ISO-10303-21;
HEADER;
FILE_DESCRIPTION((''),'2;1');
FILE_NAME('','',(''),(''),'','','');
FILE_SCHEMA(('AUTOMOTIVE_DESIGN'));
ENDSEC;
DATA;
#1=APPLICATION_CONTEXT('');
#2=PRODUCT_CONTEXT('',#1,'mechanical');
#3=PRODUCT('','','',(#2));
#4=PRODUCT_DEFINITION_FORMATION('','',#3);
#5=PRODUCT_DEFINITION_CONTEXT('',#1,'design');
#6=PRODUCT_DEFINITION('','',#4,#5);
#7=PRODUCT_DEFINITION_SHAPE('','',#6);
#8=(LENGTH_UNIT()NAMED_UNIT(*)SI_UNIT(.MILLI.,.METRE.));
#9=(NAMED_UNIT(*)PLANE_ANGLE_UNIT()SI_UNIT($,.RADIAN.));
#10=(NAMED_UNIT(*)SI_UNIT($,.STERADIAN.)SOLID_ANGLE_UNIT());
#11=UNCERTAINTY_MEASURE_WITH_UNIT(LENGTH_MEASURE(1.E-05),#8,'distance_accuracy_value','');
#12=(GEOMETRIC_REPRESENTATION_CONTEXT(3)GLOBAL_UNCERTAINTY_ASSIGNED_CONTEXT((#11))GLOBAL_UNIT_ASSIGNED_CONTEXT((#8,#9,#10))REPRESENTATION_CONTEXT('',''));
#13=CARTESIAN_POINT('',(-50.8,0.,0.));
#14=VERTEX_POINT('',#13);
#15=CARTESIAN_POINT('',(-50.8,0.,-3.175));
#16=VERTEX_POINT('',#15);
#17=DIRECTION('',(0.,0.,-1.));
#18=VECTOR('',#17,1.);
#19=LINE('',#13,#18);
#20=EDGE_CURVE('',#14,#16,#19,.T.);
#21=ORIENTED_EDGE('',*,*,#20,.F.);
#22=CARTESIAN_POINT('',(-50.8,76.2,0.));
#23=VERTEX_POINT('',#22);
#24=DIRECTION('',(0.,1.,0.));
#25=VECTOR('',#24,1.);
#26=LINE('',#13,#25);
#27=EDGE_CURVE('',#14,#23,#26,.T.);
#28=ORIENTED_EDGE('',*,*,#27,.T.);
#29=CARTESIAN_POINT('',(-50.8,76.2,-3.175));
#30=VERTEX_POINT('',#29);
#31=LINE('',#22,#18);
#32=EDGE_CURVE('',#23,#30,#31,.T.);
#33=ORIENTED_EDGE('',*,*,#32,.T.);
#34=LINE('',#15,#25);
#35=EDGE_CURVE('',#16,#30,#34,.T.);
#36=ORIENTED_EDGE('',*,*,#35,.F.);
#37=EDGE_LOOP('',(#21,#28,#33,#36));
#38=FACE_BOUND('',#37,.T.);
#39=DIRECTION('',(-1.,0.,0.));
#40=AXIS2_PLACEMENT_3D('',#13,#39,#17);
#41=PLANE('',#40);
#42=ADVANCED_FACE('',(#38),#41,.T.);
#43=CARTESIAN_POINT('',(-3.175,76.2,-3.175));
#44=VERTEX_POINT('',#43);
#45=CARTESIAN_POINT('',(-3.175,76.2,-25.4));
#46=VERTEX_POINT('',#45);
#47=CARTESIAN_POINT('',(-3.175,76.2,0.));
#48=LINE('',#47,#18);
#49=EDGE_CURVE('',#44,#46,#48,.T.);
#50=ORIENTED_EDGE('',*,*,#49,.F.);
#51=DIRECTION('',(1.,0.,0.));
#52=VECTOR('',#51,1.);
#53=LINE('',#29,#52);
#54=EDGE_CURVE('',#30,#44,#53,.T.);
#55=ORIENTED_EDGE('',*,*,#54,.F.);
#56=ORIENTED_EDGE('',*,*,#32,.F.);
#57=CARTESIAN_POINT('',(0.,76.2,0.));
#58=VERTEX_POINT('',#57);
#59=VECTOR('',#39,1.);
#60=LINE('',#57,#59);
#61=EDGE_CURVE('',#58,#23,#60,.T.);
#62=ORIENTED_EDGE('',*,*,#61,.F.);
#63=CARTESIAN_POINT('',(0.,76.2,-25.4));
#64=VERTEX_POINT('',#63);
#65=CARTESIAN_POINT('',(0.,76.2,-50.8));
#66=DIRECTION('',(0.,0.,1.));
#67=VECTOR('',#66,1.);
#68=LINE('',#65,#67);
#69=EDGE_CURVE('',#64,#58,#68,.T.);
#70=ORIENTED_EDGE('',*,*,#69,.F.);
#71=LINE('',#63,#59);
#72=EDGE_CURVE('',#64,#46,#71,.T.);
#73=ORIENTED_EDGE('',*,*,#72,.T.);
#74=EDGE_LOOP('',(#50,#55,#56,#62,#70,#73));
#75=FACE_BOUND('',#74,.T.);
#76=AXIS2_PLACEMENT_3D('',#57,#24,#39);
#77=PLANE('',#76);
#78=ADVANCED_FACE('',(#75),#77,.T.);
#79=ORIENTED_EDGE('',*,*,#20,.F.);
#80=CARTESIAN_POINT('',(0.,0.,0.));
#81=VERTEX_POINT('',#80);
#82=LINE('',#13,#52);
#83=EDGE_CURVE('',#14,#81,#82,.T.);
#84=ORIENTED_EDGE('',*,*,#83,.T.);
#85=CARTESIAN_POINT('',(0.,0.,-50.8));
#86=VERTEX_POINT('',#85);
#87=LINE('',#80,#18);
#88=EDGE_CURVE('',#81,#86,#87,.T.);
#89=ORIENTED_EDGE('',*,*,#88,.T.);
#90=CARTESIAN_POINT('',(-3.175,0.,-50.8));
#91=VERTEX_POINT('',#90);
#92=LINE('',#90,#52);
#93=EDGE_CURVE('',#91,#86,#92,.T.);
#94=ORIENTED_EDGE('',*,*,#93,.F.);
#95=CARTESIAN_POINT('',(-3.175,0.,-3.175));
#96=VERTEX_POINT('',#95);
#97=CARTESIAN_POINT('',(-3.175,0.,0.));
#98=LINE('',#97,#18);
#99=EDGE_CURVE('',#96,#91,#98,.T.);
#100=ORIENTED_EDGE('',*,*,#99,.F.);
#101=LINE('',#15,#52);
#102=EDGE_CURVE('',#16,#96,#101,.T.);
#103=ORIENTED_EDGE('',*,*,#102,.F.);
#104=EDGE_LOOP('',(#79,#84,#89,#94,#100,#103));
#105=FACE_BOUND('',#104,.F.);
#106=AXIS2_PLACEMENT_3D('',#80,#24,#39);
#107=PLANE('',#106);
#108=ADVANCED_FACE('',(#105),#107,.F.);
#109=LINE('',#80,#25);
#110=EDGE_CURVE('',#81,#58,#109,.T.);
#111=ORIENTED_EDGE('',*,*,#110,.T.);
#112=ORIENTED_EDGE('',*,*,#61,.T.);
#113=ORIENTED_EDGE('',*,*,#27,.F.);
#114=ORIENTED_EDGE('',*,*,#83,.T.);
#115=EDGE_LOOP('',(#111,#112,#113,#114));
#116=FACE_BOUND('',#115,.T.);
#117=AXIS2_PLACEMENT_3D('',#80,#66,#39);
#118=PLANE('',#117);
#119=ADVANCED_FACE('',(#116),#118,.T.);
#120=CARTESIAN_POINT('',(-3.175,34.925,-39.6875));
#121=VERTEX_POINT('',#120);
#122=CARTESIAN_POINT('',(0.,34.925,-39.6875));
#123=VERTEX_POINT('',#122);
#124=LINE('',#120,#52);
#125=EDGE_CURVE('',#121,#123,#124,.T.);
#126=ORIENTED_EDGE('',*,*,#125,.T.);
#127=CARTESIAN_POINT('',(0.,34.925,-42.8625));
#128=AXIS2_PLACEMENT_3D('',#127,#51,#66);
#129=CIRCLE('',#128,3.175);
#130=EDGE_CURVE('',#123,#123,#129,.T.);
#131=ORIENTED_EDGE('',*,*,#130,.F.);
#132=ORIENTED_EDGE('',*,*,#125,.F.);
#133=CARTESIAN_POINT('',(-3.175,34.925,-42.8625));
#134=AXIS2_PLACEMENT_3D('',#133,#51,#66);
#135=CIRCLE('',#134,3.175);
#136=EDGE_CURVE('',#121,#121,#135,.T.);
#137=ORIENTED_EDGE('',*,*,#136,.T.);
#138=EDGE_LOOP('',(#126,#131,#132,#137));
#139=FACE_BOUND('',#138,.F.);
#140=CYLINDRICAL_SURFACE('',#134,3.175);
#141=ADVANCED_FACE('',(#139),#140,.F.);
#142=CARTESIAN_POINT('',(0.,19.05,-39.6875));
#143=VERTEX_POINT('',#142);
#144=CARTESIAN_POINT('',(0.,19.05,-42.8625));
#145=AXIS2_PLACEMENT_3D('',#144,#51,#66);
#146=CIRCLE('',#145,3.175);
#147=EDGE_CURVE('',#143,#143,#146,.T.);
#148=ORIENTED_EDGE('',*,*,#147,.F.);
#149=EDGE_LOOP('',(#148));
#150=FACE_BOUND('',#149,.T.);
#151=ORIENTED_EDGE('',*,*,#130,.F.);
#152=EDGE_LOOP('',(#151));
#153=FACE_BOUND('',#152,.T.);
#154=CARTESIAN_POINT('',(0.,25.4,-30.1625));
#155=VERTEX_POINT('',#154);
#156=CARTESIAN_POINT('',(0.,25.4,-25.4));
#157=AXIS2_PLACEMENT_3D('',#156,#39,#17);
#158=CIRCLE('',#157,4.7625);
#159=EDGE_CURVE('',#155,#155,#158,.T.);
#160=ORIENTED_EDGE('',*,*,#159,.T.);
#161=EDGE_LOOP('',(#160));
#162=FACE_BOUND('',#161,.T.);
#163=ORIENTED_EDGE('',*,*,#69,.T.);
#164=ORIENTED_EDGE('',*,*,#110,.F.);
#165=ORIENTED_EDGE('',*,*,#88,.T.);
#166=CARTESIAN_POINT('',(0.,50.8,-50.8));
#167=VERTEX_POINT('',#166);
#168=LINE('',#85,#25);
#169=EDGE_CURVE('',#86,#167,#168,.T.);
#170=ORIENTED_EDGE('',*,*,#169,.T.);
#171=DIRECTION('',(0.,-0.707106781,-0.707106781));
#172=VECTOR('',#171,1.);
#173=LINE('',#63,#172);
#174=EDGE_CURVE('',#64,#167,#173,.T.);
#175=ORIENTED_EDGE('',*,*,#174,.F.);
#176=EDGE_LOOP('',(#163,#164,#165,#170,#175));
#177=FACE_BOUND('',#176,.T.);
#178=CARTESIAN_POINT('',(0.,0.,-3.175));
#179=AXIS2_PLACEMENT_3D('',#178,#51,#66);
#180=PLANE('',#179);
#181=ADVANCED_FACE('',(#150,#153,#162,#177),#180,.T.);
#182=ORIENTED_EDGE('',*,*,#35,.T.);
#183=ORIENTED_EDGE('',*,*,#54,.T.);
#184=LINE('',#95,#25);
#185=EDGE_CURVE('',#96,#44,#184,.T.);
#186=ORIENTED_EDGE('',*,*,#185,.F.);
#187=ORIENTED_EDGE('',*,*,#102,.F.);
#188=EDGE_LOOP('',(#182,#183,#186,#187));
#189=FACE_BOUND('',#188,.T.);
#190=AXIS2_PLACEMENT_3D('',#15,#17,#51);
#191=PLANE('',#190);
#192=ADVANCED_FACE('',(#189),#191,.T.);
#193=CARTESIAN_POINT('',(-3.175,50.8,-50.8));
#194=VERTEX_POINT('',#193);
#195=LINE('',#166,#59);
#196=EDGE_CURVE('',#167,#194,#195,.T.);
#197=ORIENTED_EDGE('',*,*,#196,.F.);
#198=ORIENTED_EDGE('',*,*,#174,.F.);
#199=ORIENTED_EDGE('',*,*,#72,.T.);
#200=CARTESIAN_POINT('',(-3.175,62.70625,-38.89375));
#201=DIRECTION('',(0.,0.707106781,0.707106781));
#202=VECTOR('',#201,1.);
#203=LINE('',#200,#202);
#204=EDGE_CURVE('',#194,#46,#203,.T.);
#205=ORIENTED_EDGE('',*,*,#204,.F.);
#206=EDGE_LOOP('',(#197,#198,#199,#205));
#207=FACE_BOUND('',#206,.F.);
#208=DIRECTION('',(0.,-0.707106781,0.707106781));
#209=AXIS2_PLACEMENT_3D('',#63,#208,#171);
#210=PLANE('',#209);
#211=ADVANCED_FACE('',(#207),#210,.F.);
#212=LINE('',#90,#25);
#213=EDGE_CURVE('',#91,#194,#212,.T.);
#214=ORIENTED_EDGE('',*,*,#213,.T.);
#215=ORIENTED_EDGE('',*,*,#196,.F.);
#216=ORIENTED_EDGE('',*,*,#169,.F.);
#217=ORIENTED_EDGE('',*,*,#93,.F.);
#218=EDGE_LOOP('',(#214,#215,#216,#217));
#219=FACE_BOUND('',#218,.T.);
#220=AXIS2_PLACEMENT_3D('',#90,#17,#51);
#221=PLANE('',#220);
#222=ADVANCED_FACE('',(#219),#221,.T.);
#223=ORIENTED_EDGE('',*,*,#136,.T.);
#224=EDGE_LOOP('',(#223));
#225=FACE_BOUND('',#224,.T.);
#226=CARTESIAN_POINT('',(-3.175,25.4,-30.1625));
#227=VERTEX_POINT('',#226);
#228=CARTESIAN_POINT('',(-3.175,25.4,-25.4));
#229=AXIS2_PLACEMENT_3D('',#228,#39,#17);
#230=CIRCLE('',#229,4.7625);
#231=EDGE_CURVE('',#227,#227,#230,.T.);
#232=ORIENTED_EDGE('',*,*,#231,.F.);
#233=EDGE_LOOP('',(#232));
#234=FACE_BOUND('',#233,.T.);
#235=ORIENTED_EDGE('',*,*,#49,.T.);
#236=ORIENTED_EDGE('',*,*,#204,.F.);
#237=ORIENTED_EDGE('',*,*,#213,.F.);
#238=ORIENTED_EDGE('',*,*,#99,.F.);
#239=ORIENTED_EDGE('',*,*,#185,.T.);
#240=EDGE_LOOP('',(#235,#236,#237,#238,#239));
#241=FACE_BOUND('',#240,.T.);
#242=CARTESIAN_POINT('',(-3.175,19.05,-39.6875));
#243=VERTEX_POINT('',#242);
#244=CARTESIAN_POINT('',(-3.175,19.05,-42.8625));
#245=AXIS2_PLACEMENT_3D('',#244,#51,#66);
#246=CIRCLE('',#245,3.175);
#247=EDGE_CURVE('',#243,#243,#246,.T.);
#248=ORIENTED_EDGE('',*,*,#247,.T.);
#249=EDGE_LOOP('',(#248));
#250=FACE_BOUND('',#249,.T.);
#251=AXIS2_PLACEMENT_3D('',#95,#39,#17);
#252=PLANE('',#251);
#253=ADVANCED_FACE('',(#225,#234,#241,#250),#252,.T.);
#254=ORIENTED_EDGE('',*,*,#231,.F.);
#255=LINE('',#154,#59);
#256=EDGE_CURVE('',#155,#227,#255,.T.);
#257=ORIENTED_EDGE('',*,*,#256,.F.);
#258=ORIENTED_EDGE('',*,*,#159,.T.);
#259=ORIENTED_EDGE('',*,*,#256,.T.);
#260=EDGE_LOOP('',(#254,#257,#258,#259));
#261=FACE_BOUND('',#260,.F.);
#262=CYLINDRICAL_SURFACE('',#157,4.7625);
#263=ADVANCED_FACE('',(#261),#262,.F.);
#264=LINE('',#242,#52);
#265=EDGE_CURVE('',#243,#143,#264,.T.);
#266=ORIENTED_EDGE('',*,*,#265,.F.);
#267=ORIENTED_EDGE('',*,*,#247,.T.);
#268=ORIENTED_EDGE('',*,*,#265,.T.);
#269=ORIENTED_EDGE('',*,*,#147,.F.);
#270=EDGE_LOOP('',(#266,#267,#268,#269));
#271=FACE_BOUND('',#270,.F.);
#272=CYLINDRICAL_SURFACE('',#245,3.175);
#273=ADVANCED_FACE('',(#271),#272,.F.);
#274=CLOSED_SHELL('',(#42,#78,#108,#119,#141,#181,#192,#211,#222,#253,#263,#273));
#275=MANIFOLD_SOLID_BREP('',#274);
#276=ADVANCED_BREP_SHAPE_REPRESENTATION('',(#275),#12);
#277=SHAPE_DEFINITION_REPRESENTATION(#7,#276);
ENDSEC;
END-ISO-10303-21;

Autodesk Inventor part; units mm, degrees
ref_plane "YZ Plane" through (0, 0, 0) normal (1, 0, 0) x (0, 1, 0)
ref_plane "XZ Plane" through (0, 0, 0) normal (0, 1, 0) x (-1, 0, 0)
ref_plane "XY Plane" through (0, 0, 0) normal (0, 0, 1) x (1, 0, 0)
sketch "Sketch1" plane through (0, 0, 0) normal (0, 1, 0) x (-1, 0, 0)
  line L0 (0, 0) -> (50.8, 0)
  line L1 (50.8, 0) -> (50.8, -3.175)
  line L2 (50.8, -3.175) -> (0, -3.175)
  line L3 (0, -3.175) -> (0, 0)
  line L4 (0, 0) -> (3.175, 0)
  line L5 (3.175, 0) -> (3.175, -50.8)
  line L6 (3.175, -50.8) -> (0, -50.8)
  line L7 (0, -50.8) -> (0, 0)
  dimension "d0" = 50.8
  dimension "d1" = 3.175
  dimension "d2" = 3.175
  dimension "d3" = 50.8
extrude "Extrusion1" add sketch "Sketch1" along normal blind 76.2
sketch "Sketch4" plane through (0, 0, 0) normal (1, 0, 0) x (0, 0, -1)
  line L0 (0, 0) -> (0, 76.2) projected
  line L1 (0, 0) -> (50.8, 0) projected
  point P0 (25.4, 25.4)
  dimension "d11" = 25.4
  dimension "d12" = 25.4
hole "Hole1" at (0, 25.4, -25.4) direction (-1, 0, 0) diameter 9.525 end through all
sketch "Sketch5" plane through (-3.175, 0, -50.8) normal (-1, 0, 0) x (0, 0, 1)
  circle A0 centre (25.4, 25.4) radius 4.7625 projected
  line L0 (0, 0) -> (0, 76.2) projected
  point P0 (50.8, 0)
  point P1 (7.9375, 19.05)
  point P2 (7.9375, 34.925)
  dimension "d20" = 9.525
  dimension "d21" = 6.35
  dimension "d23" = 7.9375
  dimension "d24" = 7.9375
hole "Hole2" at (-3.175, 19.05, -42.8625) at (-3.175, 34.925, -42.8625) direction (1, 0, 0) diameter 6.35 end through all
sketch "Sketch6" plane through (0, 0, 0) normal (1, 0, 0) x (0, 0, -1)
  line L0 (50.8, 0) -> (50.8, 76.2) projected
  line L1 (50.8, 76.2) -> (25.4, 76.2) construction
  line L2 (50.8, 76.2) -> (3.175, 76.2) construction
  line L3 (25.4, 76.2) -> (50.8, 50.8)
  line L4 (25.4, 76.2) -> (61.321, 76.2) construction
  line L5 (50.8, 50.8) -> (50.8, 76.2)
  line L6 (50.8, 76.2) -> (25.4, 76.2)
  dimension "d32" = 25.4
  dimension "d33" = 45
extrude "Extrusion4" cut sketch "Sketch6" against normal blind 76.2
properties part number "mechanical stop 2x2 angle" material "Aluminum 6061"
